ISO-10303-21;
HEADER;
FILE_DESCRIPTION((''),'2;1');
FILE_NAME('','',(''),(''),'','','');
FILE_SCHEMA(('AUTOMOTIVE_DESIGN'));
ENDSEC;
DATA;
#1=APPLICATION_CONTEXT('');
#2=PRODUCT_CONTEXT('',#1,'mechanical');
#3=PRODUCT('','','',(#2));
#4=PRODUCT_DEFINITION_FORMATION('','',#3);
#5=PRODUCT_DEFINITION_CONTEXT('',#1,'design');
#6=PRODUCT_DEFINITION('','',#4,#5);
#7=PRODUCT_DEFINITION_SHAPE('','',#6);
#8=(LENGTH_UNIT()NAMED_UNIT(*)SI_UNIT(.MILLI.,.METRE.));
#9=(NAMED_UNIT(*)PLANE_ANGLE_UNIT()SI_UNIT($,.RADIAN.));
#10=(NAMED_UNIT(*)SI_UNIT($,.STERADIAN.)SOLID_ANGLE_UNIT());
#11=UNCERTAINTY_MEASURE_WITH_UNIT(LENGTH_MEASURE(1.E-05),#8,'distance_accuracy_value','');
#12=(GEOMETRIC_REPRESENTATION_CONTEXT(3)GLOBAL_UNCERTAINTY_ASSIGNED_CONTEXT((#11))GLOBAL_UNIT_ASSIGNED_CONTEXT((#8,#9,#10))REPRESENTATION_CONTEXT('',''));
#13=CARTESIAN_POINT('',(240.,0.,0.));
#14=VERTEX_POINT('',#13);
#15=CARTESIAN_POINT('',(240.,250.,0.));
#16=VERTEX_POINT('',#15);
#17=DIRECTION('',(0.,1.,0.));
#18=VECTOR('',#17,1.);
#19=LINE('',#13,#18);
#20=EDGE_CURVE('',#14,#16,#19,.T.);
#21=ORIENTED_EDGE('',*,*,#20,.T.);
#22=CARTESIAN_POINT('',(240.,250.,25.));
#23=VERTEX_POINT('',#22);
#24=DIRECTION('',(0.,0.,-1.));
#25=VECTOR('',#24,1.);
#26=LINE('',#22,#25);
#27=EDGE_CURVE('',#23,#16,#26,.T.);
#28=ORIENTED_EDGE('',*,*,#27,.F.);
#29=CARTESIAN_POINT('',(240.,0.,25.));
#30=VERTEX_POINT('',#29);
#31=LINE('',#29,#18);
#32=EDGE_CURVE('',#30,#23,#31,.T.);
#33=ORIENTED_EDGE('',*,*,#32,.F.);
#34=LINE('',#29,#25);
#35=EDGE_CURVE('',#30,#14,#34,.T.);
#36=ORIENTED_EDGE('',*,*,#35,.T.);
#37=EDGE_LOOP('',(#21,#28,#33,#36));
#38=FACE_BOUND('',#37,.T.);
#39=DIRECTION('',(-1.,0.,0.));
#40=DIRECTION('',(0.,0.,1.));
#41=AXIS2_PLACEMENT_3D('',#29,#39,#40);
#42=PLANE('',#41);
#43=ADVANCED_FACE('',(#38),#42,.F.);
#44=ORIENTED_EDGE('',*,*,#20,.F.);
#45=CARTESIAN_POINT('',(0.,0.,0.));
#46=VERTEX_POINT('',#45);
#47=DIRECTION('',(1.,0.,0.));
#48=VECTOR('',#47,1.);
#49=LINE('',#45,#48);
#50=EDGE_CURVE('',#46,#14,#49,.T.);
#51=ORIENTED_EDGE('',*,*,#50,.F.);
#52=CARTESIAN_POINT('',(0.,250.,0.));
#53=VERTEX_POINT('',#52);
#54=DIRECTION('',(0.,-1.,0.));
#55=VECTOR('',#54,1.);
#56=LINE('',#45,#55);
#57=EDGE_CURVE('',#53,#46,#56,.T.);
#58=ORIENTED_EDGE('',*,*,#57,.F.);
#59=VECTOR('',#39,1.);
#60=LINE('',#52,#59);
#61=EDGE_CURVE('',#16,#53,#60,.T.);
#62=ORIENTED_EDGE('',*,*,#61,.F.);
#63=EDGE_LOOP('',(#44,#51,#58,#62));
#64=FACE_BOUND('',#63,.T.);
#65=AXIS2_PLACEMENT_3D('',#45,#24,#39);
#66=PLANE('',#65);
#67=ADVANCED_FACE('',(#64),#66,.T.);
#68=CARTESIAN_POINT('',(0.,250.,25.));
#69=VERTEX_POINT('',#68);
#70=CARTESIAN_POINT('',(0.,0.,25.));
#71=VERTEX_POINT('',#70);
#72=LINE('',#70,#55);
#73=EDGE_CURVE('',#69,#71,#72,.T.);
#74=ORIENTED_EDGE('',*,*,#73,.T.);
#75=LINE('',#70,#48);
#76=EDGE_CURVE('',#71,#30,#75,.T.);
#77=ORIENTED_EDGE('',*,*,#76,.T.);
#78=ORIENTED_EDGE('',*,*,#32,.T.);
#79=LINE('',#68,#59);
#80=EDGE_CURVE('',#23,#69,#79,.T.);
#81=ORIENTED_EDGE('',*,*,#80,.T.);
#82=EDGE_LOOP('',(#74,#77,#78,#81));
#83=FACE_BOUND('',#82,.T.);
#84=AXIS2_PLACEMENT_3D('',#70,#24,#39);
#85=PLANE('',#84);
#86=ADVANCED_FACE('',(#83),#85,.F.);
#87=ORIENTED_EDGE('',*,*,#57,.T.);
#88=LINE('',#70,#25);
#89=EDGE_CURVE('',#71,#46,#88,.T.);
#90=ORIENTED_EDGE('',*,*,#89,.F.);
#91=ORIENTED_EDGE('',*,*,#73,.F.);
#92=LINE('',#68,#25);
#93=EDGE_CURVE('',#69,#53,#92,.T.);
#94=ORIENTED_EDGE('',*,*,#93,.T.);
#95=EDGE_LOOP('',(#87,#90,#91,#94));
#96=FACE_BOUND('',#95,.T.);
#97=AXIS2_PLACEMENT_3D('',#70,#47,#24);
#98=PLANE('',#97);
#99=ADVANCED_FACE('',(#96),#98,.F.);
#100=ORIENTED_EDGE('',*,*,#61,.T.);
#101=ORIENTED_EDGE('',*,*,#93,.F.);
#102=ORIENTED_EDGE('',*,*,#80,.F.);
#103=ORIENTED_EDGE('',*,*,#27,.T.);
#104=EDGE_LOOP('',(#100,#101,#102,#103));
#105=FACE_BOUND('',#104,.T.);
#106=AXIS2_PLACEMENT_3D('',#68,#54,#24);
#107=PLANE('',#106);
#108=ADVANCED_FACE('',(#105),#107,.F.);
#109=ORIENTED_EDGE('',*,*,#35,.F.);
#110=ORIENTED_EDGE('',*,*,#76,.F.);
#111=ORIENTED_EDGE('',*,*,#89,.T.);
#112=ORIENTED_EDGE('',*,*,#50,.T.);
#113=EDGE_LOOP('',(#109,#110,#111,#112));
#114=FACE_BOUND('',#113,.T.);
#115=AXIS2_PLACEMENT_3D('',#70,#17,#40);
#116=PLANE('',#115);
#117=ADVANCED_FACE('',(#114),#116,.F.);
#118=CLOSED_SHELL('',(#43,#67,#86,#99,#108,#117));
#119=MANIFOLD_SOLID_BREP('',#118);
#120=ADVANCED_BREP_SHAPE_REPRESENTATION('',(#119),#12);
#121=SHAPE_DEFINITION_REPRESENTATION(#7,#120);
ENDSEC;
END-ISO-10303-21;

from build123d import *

# Parameters (mm, degrees)
SKETCH1_W           = 240
SKETCH1_H           = 250
BOSS_EXTRUDE1_DEPTH = 25


with BuildPart() as part:
    # Sketch1 → Boss-Extrude1 (new body)
    with BuildSketch(Plane.XY):
        with Locations((120, 125)):
            Rectangle(SKETCH1_W, SKETCH1_H)
    extrude(amount=BOSS_EXTRUDE1_DEPTH)


solid = part.part
